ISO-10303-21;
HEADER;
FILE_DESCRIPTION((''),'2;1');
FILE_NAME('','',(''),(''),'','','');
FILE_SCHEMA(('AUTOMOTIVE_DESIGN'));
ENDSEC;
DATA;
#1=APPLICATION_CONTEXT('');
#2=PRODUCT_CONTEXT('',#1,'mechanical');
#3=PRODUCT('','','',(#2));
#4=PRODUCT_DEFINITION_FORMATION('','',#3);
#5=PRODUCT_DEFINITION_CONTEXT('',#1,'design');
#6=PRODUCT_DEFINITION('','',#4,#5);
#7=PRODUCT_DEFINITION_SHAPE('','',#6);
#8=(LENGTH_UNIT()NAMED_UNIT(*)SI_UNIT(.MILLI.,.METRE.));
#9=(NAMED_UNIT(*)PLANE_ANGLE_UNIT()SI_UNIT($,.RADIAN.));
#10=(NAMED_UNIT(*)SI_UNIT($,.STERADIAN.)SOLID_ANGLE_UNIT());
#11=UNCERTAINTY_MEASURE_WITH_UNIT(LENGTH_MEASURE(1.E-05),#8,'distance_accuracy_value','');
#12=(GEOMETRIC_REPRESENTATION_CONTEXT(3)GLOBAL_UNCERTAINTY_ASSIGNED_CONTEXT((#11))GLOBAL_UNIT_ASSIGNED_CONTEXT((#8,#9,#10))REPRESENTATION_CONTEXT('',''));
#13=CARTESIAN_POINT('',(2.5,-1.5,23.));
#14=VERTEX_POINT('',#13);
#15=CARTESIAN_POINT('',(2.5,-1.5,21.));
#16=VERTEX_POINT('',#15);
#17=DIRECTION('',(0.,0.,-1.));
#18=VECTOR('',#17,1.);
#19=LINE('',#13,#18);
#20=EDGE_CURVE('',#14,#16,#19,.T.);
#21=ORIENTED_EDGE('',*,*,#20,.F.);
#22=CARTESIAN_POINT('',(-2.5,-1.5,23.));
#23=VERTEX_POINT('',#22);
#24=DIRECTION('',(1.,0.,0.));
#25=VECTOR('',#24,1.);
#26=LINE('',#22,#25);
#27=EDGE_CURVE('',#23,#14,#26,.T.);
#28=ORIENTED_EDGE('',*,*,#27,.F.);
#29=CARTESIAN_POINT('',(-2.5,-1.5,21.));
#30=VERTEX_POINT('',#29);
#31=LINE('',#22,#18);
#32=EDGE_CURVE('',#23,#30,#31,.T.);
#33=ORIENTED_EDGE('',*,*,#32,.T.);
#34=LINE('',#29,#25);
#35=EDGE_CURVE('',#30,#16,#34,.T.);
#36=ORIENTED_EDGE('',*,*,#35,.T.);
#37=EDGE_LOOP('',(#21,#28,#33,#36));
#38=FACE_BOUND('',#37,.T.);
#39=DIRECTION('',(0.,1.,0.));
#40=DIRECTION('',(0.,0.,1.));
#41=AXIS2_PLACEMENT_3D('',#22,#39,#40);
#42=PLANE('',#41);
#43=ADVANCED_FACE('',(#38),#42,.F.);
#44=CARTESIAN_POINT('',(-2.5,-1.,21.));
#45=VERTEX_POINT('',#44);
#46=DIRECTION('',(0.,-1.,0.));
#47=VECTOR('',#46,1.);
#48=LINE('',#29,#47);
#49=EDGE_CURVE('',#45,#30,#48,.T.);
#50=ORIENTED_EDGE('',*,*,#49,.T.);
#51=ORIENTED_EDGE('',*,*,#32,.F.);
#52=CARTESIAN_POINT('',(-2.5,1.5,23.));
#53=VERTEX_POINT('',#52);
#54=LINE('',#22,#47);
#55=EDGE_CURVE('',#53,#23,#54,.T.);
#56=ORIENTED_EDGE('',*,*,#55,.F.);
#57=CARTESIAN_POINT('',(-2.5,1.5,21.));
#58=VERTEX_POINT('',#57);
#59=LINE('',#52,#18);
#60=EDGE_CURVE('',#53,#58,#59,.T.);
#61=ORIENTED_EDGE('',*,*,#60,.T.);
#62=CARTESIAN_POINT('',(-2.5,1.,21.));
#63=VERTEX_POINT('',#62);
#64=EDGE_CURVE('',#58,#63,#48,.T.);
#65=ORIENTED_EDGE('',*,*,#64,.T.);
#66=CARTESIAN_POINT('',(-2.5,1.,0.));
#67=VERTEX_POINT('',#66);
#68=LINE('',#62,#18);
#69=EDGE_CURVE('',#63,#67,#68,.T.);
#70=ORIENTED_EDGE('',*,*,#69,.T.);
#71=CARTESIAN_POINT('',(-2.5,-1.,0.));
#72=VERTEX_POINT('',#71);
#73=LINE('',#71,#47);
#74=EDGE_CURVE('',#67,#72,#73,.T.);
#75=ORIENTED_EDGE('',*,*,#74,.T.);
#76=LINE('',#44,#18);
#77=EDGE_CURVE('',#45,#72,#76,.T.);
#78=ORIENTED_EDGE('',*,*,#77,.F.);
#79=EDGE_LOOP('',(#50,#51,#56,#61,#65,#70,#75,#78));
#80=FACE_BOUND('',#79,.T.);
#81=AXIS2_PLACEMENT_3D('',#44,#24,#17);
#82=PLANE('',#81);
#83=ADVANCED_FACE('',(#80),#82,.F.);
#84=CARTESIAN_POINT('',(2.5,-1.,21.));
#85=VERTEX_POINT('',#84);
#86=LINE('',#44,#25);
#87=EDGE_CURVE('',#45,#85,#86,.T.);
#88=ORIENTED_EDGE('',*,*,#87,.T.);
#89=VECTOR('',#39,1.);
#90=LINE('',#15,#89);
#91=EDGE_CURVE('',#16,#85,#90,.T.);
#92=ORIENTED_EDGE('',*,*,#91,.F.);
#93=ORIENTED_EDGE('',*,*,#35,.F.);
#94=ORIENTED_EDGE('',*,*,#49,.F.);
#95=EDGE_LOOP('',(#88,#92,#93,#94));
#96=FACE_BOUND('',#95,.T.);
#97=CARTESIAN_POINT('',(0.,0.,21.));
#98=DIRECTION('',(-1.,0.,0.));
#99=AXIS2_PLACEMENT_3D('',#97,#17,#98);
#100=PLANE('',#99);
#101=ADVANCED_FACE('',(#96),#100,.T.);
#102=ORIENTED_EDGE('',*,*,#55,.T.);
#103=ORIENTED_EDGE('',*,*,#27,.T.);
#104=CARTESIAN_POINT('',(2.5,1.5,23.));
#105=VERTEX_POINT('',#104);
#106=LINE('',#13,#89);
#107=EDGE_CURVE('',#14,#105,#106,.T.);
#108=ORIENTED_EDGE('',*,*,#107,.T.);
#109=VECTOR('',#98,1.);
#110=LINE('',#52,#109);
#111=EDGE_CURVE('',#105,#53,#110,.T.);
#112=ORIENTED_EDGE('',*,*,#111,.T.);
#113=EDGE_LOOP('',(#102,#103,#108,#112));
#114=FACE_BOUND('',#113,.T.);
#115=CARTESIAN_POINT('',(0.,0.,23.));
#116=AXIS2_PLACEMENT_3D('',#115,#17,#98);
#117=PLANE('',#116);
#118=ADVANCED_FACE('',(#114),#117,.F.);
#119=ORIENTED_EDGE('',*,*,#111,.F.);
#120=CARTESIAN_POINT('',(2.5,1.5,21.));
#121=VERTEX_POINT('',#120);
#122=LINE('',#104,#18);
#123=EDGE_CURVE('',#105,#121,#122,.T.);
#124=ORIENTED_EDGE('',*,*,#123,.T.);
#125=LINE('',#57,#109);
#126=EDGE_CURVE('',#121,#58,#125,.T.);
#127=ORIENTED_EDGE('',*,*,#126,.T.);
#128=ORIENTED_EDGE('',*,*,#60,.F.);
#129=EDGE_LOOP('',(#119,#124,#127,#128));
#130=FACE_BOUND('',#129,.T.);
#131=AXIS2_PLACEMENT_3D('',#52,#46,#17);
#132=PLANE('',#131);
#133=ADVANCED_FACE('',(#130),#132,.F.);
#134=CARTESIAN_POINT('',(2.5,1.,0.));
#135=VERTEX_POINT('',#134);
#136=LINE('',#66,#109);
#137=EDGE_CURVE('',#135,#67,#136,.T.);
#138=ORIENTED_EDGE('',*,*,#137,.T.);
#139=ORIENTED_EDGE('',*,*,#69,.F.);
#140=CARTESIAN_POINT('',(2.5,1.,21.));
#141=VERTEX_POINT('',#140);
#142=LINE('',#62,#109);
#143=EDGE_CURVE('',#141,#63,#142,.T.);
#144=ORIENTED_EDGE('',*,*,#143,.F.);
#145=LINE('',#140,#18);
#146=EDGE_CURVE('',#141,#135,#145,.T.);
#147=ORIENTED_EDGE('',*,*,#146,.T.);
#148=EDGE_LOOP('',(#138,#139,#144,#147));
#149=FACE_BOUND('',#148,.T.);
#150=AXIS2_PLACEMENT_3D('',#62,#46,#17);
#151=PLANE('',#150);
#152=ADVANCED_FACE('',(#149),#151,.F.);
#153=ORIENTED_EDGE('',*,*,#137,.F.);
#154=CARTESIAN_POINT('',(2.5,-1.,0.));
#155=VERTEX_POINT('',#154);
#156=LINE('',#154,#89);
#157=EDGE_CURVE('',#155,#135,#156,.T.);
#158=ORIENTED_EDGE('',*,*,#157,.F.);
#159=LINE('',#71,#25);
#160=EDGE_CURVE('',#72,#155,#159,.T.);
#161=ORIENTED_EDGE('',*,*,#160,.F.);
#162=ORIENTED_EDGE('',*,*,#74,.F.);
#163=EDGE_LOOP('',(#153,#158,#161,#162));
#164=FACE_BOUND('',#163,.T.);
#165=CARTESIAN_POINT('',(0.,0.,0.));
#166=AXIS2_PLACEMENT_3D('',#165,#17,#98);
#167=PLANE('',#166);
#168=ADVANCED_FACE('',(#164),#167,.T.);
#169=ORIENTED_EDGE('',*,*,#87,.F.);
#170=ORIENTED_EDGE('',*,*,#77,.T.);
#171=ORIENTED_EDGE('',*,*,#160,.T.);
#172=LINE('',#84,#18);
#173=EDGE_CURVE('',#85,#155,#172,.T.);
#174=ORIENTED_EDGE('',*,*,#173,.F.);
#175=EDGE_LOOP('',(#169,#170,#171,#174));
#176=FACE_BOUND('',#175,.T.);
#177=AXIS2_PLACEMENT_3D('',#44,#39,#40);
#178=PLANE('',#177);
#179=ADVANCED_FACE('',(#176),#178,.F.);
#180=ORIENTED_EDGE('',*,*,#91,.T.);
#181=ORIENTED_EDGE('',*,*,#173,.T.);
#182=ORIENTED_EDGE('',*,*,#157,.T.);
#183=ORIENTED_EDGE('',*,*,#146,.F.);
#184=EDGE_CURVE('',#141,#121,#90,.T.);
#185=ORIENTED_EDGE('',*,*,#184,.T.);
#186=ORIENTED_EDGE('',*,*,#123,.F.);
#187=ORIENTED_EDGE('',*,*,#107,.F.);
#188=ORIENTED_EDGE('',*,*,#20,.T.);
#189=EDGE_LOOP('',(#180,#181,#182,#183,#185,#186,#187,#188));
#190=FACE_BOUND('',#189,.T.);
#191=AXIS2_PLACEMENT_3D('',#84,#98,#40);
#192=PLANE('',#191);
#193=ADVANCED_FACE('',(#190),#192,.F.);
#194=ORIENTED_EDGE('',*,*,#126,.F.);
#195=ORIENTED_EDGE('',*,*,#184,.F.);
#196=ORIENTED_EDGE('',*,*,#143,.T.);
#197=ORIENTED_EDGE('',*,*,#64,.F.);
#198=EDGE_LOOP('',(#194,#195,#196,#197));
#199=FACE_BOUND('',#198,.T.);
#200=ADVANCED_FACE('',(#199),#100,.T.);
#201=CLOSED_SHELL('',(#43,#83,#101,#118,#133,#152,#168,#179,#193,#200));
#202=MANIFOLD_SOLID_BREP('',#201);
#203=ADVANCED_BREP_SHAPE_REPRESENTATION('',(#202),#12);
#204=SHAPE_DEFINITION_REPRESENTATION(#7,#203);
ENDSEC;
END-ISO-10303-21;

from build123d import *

# Parameters (mm, degrees)
ESQUISSE1_W        = 5
ESQUISSE1_H        = 2
BOSS_EXTRU_1_DEPTH = 21
ESQUISSE2_W        = 5
ESQUISSE2_H        = 3
BOSS_EXTRU_2_DEPTH = 2


with BuildPart() as part:
    # Esquisse1 → Boss.-Extru.1 (new body)
    with BuildSketch(Plane.XY):
        Rectangle(ESQUISSE1_W, ESQUISSE1_H)
    extrude(amount=BOSS_EXTRU_1_DEPTH)

    # Esquisse2 → Boss.-Extru.2 (add)
    with BuildSketch(Plane.XY.offset(21)):
        Rectangle(ESQUISSE2_W, ESQUISSE2_H)
    extrude(amount=BOSS_EXTRU_2_DEPTH)


solid = part.part
